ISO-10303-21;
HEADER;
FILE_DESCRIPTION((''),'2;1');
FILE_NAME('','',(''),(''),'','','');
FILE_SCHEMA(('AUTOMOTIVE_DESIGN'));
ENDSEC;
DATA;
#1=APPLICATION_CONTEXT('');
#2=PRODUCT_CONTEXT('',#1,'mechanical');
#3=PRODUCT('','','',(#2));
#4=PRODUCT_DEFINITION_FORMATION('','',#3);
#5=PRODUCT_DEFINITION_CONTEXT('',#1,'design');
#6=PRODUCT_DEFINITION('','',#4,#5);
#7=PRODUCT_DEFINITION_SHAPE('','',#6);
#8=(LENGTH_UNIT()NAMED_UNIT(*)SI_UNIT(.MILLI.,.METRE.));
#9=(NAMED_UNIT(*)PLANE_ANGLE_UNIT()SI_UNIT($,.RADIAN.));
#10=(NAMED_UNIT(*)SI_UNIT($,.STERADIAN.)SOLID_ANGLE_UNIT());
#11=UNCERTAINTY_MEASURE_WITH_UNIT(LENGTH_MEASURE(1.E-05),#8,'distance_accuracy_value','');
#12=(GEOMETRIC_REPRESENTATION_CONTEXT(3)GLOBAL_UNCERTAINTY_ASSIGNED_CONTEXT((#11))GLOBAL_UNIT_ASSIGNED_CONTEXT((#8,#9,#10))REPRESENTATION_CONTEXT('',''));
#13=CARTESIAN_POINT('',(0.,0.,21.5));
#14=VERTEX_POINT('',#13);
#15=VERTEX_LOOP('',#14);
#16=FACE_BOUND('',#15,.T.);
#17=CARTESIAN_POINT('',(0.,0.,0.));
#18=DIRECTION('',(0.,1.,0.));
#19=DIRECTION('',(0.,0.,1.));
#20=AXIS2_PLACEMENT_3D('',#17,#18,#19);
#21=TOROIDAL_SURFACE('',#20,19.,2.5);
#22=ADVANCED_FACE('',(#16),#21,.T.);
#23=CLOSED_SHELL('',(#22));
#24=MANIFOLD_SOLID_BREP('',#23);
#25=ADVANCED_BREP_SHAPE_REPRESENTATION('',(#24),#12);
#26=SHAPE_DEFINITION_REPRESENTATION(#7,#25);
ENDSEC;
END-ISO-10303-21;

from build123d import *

# Parameters (mm, degrees)
SKETCH2_R = 2.5


with BuildPart() as part:
    # Sketch2 → Revolve1 (revolve)
    with BuildSketch(Plane.XY):
        with Locations((19, 0)):
            Circle(SKETCH2_R)
    revolve(axis=Axis((0, 7.016372871, 0), (0, -1, 0)))


solid = part.part
